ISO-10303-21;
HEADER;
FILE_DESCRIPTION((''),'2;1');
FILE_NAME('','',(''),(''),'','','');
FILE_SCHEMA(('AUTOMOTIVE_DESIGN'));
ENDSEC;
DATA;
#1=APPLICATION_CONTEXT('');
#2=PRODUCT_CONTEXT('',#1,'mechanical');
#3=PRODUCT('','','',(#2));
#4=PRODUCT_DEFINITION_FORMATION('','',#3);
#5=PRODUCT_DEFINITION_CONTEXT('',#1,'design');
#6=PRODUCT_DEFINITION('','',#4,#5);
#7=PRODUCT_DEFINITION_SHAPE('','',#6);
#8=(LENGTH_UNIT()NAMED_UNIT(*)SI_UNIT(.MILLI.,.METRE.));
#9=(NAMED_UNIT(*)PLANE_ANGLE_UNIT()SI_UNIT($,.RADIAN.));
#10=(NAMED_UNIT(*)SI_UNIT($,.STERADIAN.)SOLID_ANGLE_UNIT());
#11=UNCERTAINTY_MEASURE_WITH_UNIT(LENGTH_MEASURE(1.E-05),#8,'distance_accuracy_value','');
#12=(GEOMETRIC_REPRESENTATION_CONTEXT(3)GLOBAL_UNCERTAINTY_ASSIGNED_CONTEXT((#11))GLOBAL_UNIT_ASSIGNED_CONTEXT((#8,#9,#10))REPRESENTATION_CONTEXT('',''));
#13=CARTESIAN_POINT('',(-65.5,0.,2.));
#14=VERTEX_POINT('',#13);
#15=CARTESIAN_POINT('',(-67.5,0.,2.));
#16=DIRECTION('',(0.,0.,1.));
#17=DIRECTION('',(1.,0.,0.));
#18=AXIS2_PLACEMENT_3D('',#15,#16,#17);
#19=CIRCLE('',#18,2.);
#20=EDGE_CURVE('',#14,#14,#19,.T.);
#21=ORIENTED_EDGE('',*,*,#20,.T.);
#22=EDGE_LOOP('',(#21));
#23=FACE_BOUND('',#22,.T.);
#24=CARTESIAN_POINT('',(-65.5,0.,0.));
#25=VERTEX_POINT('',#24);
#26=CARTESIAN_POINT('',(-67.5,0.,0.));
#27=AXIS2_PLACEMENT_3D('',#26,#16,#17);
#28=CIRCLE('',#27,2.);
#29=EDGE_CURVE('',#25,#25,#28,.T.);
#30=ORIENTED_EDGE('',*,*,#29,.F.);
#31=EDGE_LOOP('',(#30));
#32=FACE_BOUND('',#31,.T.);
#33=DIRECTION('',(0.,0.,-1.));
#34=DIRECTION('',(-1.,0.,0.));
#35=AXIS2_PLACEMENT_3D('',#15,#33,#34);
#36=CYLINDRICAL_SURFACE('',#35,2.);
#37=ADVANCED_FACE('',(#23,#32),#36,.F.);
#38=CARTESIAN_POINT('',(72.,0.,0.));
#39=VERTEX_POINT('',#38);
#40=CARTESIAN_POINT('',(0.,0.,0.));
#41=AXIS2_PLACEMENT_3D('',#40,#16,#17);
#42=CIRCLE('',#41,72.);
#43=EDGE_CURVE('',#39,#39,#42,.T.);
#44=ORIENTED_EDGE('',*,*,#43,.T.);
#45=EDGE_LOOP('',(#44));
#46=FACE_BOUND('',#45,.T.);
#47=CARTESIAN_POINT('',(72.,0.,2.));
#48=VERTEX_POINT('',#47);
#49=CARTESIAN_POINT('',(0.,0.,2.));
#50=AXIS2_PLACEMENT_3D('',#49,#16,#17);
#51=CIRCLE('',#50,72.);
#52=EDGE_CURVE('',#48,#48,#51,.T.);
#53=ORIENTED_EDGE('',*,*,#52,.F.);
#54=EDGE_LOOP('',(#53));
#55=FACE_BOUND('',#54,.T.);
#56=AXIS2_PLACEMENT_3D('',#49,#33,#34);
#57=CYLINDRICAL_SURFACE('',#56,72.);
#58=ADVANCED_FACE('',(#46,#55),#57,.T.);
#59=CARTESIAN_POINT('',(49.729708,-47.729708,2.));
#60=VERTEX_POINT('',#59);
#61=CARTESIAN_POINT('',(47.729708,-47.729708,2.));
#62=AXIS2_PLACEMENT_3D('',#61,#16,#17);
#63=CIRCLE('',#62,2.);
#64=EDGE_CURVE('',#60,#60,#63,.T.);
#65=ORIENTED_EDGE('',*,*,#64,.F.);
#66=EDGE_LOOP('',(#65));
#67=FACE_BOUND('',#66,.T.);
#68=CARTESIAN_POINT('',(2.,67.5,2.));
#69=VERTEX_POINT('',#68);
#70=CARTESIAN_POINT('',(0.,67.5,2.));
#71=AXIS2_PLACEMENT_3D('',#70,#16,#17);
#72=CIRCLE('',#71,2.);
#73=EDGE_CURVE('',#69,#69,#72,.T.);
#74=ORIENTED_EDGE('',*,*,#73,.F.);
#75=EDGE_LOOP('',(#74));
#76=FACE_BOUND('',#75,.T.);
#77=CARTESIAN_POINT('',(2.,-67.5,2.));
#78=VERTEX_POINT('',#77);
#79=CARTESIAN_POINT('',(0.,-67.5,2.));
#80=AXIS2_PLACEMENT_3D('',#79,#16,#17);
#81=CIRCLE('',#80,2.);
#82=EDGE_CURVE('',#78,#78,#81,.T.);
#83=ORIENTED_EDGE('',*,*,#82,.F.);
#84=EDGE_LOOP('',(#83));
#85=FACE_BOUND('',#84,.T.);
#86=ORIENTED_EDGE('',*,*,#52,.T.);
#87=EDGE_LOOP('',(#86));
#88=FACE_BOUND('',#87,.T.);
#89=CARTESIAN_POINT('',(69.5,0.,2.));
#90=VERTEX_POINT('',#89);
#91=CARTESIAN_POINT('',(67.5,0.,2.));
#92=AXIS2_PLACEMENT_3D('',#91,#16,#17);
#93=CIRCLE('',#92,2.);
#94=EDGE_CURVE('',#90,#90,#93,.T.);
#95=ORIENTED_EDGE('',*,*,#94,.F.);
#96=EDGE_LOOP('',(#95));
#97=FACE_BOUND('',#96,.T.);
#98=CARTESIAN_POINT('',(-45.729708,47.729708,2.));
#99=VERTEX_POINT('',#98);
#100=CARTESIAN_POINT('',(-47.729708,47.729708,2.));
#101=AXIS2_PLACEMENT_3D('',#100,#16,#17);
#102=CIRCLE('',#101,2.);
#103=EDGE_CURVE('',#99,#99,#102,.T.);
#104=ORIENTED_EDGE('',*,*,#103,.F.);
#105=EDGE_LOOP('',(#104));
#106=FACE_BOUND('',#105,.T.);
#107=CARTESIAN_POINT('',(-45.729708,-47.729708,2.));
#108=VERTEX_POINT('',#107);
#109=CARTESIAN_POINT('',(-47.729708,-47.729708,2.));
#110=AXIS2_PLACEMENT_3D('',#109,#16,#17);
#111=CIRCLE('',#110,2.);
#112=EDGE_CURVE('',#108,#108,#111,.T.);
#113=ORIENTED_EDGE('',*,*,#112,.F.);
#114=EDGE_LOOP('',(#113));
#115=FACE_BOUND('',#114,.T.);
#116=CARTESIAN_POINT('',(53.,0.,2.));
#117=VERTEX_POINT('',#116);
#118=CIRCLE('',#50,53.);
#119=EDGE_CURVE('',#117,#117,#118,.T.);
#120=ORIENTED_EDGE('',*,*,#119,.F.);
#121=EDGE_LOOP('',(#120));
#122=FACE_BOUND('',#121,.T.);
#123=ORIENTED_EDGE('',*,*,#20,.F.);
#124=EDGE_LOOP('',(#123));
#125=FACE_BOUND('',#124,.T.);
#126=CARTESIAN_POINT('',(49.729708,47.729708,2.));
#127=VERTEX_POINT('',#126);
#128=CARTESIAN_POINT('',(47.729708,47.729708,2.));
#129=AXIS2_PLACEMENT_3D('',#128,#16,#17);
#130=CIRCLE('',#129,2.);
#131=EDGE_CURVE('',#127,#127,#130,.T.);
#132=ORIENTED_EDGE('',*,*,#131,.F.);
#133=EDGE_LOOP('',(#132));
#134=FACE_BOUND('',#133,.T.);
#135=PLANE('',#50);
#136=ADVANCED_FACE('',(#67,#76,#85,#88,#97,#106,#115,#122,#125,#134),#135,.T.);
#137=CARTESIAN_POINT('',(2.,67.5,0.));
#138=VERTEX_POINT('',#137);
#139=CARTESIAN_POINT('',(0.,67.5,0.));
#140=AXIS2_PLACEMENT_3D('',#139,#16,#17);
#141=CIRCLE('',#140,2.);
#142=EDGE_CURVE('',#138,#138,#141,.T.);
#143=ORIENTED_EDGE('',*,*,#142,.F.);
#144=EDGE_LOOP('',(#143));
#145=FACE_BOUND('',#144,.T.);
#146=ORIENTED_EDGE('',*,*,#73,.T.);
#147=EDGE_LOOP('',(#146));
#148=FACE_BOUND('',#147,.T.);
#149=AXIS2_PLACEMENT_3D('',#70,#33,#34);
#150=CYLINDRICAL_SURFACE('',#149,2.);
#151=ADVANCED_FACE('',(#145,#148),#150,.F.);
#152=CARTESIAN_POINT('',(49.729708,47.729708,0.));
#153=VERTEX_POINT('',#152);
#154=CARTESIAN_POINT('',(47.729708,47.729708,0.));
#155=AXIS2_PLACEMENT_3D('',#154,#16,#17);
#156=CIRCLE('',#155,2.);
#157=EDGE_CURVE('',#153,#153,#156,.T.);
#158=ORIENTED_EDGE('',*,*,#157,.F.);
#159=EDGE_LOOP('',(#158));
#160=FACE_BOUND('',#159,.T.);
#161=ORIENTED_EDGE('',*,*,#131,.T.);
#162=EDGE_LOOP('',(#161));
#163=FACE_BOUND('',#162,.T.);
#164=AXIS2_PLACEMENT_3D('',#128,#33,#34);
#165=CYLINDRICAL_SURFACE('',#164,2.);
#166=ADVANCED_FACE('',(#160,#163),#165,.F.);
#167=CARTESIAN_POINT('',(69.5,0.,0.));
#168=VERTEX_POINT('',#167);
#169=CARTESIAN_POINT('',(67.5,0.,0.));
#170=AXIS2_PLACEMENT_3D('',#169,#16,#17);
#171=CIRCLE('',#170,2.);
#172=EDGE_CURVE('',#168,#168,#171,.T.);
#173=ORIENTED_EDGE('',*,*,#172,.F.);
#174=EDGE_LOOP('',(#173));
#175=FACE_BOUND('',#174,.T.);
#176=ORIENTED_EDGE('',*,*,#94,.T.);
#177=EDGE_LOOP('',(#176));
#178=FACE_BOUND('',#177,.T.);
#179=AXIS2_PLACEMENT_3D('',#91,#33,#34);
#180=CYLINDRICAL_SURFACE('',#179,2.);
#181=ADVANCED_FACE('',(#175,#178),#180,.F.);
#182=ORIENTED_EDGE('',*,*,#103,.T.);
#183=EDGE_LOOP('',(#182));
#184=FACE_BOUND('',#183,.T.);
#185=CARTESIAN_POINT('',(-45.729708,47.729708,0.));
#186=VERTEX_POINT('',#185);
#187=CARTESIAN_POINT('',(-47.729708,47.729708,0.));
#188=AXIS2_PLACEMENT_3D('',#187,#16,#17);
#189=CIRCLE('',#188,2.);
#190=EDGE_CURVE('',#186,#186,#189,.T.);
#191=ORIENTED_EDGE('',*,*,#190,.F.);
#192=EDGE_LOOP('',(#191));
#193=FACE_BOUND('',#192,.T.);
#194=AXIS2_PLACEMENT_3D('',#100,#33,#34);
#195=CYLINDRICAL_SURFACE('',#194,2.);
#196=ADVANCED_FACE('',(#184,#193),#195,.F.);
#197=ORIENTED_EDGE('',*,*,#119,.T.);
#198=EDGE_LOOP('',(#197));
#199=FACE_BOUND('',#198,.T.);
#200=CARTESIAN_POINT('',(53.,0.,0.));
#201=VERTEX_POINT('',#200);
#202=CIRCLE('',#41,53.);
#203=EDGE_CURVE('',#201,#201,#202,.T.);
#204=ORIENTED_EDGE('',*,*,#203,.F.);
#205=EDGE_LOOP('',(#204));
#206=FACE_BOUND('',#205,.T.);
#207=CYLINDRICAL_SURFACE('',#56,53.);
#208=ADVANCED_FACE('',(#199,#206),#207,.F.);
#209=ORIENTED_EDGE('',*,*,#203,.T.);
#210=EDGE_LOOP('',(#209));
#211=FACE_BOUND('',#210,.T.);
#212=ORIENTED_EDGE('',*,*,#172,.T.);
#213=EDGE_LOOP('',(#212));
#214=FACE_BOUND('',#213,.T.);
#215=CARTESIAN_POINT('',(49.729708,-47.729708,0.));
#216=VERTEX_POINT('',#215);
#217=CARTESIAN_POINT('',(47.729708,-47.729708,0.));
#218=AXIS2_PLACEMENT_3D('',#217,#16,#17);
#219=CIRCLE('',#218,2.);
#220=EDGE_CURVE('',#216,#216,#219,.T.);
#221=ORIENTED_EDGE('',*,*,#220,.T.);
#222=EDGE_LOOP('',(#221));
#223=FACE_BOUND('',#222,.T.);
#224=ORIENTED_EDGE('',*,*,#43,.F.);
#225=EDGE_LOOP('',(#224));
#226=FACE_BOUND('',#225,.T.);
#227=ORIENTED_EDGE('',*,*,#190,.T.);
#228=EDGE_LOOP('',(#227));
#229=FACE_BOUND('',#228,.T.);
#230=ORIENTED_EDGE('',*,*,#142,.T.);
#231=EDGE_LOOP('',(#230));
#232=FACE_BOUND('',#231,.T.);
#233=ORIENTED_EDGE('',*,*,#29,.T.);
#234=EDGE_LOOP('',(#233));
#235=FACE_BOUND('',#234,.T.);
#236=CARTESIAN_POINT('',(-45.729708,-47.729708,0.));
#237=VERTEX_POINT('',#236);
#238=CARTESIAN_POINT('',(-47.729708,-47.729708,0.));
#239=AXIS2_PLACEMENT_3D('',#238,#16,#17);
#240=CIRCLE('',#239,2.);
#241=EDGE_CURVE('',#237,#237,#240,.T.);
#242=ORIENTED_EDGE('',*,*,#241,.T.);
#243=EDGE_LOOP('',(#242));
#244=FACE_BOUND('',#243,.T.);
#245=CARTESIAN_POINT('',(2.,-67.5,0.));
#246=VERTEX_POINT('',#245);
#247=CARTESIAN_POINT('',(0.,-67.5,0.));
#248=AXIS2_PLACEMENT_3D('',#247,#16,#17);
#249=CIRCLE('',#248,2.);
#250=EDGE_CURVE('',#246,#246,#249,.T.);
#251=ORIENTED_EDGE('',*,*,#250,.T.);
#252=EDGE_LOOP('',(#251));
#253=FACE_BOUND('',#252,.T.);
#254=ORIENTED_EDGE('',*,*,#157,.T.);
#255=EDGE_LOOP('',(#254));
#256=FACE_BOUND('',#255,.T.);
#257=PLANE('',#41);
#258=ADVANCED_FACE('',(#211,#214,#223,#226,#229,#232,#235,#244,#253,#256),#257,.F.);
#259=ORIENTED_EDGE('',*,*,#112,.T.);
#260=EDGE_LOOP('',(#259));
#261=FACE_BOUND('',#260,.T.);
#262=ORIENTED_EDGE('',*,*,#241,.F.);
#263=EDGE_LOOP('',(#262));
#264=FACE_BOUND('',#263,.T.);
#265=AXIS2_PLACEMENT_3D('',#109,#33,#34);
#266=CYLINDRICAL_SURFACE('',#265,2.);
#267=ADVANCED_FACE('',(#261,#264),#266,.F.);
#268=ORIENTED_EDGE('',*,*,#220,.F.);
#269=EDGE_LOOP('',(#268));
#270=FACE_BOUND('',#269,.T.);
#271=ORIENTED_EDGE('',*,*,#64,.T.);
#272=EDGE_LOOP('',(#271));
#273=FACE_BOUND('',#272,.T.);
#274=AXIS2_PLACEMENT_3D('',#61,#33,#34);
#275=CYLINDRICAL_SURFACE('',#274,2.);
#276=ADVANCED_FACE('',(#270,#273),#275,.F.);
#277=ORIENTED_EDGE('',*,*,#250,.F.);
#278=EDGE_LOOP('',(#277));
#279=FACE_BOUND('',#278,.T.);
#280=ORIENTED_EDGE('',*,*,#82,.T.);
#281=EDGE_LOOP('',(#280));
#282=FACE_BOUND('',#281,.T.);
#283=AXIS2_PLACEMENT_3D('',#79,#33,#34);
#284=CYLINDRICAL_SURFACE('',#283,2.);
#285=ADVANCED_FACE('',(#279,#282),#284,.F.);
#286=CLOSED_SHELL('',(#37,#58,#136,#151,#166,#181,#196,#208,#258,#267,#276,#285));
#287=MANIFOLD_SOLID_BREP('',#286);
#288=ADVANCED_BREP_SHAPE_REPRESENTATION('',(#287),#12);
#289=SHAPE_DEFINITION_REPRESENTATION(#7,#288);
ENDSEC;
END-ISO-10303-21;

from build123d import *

# Parameters (mm, degrees)
SKETCH_1_R      = 72
SKETCH_1_R_2    = 2
SKETCH_1_R_3    = 53
EXTRUDE_1_DEPTH = 2


with BuildPart() as part:
    # 草图1 → 凸台-拉伸1 (new body)
    with BuildSketch(Plane.XY):
        Circle(SKETCH_1_R)
        with Locations((0, -67.5)):
            Circle(SKETCH_1_R_2, mode=Mode.SUBTRACT)
        with Locations((-47.72970773, -47.72970773)):
            Circle(SKETCH_1_R_2, mode=Mode.SUBTRACT)
        with Locations((-67.5, 0)):
            Circle(SKETCH_1_R_2, mode=Mode.SUBTRACT)
        with Locations((-47.72970773, 47.72970773)):
            Circle(SKETCH_1_R_2, mode=Mode.SUBTRACT)
        with Locations((0, 67.5)):
            Circle(SKETCH_1_R_2, mode=Mode.SUBTRACT)
        with Locations((47.72970773, 47.72970773)):
            Circle(SKETCH_1_R_2, mode=Mode.SUBTRACT)
        with Locations((67.5, 0)):
            Circle(SKETCH_1_R_2, mode=Mode.SUBTRACT)
        with Locations((47.72970773, -47.72970773)):
            Circle(SKETCH_1_R_2, mode=Mode.SUBTRACT)
        Circle(SKETCH_1_R_3, mode=Mode.SUBTRACT)
    extrude(amount=EXTRUDE_1_DEPTH)


solid = part.part
